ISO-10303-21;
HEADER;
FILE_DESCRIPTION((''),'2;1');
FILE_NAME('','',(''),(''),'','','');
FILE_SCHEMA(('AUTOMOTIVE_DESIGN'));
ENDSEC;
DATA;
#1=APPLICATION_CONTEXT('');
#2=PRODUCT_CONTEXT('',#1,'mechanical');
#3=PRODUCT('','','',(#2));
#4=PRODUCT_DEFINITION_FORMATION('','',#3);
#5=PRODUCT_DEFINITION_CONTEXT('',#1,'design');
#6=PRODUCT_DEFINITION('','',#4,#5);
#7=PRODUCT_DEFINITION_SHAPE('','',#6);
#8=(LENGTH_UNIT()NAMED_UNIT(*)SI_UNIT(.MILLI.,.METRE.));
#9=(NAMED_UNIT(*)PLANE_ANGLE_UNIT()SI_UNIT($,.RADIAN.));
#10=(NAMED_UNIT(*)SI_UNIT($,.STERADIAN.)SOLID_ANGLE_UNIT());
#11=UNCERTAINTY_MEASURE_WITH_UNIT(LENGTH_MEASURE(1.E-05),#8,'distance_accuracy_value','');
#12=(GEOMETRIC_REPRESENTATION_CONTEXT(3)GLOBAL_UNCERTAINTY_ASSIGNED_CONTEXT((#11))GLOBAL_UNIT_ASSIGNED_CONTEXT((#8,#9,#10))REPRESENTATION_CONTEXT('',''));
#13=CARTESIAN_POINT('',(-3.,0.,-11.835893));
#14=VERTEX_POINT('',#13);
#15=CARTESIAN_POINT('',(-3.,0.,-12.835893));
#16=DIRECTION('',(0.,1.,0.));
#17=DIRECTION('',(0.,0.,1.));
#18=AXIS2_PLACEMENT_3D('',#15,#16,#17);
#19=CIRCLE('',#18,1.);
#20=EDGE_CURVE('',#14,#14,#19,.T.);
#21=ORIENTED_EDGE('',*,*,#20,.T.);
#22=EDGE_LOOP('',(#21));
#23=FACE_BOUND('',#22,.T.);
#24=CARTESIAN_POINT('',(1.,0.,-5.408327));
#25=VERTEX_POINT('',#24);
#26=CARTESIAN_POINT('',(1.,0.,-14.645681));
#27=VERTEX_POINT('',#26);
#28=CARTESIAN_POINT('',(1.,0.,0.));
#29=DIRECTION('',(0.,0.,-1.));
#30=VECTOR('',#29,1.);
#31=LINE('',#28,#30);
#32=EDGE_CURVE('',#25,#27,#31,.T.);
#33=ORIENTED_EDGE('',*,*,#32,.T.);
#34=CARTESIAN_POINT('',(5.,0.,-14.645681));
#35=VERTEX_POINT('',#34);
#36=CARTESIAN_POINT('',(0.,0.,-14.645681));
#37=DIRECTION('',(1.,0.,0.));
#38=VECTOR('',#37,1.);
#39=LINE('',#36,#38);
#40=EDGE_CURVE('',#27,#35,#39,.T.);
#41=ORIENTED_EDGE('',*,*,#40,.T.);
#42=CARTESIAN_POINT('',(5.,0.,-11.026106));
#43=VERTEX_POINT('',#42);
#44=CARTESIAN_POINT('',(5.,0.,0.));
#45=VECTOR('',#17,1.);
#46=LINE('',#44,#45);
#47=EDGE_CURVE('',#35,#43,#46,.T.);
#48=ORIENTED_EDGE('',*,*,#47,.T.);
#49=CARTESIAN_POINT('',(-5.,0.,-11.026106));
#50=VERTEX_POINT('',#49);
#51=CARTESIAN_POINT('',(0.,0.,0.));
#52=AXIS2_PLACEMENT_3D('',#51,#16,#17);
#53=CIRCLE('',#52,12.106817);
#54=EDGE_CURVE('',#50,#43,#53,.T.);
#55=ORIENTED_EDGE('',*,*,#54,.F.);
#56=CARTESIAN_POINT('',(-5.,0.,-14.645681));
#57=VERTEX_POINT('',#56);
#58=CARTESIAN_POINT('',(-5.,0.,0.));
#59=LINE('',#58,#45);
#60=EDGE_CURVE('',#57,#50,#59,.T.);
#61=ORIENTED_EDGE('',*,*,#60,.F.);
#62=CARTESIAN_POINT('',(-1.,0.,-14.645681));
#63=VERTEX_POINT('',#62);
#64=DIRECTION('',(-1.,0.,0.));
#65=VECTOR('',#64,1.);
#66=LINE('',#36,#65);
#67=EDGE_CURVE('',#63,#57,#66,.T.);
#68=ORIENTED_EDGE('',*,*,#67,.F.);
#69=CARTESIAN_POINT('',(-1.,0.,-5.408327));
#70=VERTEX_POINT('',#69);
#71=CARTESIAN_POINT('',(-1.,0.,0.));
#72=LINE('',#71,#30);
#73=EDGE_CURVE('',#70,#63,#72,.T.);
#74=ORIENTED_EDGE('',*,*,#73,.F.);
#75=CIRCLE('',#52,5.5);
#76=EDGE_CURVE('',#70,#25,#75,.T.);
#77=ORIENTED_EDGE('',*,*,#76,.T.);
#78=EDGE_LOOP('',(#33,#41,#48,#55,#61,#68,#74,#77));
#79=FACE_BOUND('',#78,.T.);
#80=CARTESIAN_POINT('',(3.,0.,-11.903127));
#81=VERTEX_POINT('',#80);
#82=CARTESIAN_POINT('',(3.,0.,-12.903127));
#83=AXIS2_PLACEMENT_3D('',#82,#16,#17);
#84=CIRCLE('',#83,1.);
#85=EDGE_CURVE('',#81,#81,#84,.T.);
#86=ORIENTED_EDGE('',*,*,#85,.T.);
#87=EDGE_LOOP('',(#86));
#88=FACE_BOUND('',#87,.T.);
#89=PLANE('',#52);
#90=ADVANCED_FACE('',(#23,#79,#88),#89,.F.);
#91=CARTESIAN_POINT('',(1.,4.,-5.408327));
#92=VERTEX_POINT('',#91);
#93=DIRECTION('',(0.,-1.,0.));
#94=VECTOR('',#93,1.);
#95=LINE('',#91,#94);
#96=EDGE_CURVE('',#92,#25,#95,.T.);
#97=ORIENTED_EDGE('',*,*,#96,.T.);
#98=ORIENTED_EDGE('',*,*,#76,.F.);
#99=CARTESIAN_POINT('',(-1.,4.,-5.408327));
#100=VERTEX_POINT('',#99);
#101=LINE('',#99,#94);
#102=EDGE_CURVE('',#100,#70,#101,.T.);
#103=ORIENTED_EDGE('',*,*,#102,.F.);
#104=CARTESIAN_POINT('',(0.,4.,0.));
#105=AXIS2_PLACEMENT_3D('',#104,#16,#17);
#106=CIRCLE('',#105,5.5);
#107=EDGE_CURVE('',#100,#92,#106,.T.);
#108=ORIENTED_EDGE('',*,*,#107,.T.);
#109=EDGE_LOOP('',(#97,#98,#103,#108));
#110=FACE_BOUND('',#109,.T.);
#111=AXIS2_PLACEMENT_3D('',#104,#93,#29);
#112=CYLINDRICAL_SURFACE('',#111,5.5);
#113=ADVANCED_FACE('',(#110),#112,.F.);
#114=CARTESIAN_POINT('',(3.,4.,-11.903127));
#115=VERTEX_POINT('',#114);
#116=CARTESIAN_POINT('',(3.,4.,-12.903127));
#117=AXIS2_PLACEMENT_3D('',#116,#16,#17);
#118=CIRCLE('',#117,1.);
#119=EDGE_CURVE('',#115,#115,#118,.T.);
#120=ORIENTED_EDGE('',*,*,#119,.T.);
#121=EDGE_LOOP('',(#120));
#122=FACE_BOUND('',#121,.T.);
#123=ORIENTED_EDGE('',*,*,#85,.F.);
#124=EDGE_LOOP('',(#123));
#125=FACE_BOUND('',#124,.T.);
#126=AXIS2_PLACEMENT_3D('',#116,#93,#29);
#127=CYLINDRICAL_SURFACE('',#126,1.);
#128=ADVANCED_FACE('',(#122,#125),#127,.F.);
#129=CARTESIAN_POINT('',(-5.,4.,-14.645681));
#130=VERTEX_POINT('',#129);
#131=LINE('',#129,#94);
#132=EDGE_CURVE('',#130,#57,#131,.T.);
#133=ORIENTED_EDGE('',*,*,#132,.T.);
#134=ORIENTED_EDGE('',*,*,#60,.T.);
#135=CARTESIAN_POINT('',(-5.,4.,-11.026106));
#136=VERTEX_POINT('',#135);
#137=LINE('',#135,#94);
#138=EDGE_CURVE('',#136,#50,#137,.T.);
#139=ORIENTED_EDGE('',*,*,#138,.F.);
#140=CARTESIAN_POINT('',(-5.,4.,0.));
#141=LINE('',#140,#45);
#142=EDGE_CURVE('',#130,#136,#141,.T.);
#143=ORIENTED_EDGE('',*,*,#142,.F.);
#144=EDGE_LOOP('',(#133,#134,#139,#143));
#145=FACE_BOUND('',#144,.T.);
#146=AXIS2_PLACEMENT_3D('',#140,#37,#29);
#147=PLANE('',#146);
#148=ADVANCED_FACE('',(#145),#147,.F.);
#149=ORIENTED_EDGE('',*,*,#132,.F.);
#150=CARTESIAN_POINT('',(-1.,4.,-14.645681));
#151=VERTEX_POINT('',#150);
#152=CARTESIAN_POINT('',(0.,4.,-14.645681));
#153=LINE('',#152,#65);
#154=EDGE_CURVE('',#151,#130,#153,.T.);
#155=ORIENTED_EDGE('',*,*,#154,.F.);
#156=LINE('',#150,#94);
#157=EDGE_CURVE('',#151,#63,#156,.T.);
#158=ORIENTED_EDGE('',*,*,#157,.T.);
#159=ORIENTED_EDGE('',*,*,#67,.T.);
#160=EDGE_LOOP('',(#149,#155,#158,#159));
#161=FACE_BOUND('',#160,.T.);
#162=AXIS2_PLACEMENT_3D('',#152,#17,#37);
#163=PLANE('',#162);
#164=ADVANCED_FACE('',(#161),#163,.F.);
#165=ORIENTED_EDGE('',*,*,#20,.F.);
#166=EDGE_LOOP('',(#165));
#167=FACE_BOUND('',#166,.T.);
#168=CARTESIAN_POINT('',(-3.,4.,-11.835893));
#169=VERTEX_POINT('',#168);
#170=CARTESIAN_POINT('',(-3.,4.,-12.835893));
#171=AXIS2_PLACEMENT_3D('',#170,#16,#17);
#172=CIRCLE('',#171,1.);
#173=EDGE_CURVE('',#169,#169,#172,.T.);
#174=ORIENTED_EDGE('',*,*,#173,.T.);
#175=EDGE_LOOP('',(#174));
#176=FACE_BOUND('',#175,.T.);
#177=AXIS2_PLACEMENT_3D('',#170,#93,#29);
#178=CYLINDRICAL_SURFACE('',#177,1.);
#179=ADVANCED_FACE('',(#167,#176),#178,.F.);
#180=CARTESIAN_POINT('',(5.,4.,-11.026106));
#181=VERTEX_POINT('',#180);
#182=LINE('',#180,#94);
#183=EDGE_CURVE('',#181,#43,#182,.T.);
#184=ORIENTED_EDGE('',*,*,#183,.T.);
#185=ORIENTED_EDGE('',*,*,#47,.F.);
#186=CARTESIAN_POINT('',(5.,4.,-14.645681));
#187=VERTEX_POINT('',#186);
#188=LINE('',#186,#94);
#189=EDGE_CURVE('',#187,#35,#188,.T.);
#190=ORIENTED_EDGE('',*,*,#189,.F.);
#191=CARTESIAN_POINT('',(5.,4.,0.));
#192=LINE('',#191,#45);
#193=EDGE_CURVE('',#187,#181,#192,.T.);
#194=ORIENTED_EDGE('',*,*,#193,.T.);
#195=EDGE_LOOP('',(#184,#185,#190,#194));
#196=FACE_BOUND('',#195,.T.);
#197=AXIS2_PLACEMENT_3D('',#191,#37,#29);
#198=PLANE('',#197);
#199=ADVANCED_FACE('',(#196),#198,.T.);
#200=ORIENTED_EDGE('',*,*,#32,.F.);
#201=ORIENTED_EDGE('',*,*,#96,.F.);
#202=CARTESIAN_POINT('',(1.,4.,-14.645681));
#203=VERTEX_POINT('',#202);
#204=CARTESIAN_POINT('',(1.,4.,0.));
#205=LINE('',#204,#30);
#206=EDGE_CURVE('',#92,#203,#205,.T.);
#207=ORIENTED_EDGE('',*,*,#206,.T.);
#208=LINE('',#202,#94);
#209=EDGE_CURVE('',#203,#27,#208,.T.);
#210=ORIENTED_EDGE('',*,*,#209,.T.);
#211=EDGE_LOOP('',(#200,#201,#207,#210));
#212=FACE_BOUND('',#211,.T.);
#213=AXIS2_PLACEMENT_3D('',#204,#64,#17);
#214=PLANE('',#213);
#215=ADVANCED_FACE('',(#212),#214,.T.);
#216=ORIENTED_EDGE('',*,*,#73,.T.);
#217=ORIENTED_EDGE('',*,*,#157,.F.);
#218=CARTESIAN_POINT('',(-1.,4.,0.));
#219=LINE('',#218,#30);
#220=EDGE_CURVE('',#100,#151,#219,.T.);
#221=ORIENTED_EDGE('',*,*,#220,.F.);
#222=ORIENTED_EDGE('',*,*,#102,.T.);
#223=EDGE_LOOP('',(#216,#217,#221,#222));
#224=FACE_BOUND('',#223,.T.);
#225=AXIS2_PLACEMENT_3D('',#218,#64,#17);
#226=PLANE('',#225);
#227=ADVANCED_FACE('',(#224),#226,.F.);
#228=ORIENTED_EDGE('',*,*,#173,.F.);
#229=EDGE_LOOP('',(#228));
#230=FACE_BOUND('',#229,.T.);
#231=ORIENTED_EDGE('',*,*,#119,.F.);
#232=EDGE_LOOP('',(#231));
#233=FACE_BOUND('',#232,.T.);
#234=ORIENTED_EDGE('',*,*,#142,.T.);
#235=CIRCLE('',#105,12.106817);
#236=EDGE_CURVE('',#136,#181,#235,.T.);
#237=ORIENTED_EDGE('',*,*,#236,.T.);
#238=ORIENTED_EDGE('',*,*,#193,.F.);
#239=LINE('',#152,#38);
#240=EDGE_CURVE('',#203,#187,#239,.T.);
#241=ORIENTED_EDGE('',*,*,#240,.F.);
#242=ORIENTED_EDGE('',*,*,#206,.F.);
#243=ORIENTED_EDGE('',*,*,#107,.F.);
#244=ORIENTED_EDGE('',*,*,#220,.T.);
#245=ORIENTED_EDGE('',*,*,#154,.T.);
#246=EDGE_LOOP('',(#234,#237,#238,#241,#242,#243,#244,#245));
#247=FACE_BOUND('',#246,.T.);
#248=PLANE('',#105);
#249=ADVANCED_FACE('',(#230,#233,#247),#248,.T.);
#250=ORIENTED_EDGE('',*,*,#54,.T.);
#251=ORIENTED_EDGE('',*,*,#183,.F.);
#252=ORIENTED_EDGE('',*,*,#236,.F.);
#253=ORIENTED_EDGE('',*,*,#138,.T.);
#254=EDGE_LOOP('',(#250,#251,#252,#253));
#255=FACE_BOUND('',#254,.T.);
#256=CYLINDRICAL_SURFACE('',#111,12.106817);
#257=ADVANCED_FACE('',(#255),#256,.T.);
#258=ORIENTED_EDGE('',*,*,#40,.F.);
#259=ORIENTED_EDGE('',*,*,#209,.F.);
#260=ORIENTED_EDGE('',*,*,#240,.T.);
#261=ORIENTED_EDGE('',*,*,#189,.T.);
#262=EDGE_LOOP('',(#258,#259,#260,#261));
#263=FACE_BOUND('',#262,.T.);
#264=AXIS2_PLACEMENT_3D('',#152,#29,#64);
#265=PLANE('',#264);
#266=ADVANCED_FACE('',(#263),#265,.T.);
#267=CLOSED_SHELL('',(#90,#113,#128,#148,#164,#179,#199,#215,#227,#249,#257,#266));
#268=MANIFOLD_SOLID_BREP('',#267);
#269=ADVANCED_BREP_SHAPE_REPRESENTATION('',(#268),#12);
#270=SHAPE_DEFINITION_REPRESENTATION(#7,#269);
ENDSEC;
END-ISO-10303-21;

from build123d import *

# Parameters (mm, degrees)
IZIM1_R                     = 1
Y_KSEKLIK_EKSTR_ZYON1_DEPTH = 4


with BuildPart() as part:
    # Çizim1 → Yükseklik-Ekstrüzyon1 (new body)
    with BuildSketch(Plane(origin=(0, 0, 0), x_dir=(1, 0, 0), z_dir=(0, 1, 0))):
        with BuildLine():
            Line((-5, 14.645680769), (-5, 11.026106076))
            ThreePointArc((-5, 11.026106076), (0, -12.10681689), (5, 11.026106076))
            Line((5, 11.026106076), (5, 14.645680769))
            Line((5, 14.645680769), (1, 14.645680769))
            Line((1, 14.645680769), (1, 5.408326913))
            ThreePointArc((1, 5.408326913), (0, -5.5), (-1, 5.408326913))
            Line((-1, 5.408326913), (-1, 14.645680769))
            Line((-1, 14.645680769), (-5, 14.645680769))
        make_face()
        with Locations(Location((3, 12.903127357, 0), (0, 0, 270))):
            Circle(IZIM1_R, mode=Mode.SUBTRACT)
        with Locations(Location((-3, 12.835893423, 0), (0, 0, 270))):
            Circle(IZIM1_R, mode=Mode.SUBTRACT)
    extrude(amount=Y_KSEKLIK_EKSTR_ZYON1_DEPTH)


solid = part.part
